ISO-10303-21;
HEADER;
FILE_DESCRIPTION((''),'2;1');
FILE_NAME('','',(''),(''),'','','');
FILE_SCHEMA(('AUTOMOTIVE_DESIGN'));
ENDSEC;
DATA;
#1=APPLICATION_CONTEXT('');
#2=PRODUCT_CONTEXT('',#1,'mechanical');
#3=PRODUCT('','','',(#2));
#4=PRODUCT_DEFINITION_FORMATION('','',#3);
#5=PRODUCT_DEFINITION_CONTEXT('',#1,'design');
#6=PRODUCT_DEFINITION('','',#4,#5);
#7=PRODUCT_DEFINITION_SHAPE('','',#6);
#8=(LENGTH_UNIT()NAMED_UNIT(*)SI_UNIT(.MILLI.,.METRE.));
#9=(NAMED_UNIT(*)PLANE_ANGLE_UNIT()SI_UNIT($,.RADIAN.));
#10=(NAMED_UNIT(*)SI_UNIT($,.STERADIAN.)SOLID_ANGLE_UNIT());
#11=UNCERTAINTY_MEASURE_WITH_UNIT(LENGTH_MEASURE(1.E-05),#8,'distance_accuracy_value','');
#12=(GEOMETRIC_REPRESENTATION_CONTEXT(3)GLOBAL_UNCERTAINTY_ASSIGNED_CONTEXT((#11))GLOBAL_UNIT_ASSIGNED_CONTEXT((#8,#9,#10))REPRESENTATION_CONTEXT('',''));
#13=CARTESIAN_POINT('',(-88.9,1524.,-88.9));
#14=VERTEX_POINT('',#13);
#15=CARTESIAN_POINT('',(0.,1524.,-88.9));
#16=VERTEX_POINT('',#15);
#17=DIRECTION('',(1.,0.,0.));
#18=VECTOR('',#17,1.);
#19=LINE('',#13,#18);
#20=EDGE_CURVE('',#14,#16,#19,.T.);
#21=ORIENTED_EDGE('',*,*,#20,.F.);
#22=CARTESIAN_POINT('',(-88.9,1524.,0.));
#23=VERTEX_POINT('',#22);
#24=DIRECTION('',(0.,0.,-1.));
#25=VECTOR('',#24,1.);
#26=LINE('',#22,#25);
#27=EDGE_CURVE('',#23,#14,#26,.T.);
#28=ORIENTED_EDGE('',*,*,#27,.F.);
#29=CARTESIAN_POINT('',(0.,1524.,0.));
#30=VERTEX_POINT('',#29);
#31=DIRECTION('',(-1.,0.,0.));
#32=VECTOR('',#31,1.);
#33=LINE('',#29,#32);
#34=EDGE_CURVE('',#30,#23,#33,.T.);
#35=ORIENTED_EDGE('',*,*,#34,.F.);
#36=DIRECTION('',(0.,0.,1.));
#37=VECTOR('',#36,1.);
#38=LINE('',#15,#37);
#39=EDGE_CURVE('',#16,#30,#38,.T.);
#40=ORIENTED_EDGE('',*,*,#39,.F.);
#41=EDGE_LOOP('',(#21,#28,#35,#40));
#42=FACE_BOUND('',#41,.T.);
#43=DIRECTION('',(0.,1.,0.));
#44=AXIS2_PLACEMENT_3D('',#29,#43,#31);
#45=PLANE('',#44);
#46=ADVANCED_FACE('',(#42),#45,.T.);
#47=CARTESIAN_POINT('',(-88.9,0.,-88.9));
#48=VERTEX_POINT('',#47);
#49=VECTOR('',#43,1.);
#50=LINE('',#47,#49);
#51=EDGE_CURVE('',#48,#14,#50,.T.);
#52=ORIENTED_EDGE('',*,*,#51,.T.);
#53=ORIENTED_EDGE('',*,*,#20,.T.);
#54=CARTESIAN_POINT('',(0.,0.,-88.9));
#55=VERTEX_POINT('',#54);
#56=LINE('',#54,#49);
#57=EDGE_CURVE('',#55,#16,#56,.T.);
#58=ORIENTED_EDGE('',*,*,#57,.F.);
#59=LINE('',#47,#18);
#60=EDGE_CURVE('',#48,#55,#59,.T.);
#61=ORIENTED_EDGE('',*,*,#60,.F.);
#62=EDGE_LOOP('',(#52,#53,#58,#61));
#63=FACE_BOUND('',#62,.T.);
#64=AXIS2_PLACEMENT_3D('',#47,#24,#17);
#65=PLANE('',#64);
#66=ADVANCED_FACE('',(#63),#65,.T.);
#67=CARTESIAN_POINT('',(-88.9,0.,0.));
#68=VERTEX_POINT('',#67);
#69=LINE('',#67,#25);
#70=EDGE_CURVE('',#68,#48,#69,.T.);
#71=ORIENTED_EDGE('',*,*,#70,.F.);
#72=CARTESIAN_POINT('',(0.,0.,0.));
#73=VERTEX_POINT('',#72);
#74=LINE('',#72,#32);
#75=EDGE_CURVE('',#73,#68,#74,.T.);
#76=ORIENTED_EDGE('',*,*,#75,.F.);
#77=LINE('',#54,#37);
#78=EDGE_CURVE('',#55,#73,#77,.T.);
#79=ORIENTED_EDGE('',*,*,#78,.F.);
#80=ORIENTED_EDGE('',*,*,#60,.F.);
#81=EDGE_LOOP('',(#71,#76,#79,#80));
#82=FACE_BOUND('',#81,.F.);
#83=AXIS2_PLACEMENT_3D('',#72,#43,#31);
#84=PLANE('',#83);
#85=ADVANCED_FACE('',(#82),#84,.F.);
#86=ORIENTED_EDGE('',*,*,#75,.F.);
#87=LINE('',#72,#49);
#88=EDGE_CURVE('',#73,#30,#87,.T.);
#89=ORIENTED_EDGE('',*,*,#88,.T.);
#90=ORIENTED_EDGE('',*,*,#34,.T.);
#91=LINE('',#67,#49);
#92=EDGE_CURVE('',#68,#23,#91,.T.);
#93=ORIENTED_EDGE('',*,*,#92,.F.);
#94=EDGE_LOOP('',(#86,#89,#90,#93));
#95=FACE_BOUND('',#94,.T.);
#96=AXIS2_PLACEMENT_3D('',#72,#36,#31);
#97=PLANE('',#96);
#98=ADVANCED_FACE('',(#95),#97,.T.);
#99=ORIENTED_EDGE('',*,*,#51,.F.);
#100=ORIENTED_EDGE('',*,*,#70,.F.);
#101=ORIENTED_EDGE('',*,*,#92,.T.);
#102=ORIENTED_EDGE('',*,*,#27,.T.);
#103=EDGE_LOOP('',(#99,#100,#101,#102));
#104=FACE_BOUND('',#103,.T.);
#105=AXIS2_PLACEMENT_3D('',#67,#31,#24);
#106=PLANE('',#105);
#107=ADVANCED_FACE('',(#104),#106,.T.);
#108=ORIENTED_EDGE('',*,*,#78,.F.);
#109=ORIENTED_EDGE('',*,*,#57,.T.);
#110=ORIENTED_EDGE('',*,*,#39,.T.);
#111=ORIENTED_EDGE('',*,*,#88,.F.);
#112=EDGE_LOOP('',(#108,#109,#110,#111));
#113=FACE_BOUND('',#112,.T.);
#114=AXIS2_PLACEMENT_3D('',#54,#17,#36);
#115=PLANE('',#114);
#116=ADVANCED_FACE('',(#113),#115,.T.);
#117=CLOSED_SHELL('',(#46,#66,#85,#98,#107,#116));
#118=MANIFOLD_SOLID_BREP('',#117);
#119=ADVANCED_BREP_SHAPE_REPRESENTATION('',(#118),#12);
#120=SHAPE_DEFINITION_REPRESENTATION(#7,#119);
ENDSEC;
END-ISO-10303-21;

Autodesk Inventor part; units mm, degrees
ref_plane "YZ Plane" through (0, 0, 0) normal (1, 0, 0) x (0, 1, 0)
ref_plane "XZ Plane" through (0, 0, 0) normal (0, 1, 0) x (-1, 0, 0)
ref_plane "XY Plane" through (0, 0, 0) normal (0, 0, 1) x (1, 0, 0)
sketch "Sketch1" plane through (0, 0, 0) normal (0, 1, 0) x (-1, 0, 0)
  line L0 (0, 0) -> (88.9, 0)
  line L1 (88.9, 0) -> (88.9, -88.9)
  line L2 (88.9, -88.9) -> (0, -88.9)
  line L3 (0, -88.9) -> (0, 0)
  dimension "d0" = 88.9
  dimension "d1" = 88.9
extrude "Extrusion1" add sketch "Sketch1" along normal blind 1524
properties part number "4x4x5feet"
